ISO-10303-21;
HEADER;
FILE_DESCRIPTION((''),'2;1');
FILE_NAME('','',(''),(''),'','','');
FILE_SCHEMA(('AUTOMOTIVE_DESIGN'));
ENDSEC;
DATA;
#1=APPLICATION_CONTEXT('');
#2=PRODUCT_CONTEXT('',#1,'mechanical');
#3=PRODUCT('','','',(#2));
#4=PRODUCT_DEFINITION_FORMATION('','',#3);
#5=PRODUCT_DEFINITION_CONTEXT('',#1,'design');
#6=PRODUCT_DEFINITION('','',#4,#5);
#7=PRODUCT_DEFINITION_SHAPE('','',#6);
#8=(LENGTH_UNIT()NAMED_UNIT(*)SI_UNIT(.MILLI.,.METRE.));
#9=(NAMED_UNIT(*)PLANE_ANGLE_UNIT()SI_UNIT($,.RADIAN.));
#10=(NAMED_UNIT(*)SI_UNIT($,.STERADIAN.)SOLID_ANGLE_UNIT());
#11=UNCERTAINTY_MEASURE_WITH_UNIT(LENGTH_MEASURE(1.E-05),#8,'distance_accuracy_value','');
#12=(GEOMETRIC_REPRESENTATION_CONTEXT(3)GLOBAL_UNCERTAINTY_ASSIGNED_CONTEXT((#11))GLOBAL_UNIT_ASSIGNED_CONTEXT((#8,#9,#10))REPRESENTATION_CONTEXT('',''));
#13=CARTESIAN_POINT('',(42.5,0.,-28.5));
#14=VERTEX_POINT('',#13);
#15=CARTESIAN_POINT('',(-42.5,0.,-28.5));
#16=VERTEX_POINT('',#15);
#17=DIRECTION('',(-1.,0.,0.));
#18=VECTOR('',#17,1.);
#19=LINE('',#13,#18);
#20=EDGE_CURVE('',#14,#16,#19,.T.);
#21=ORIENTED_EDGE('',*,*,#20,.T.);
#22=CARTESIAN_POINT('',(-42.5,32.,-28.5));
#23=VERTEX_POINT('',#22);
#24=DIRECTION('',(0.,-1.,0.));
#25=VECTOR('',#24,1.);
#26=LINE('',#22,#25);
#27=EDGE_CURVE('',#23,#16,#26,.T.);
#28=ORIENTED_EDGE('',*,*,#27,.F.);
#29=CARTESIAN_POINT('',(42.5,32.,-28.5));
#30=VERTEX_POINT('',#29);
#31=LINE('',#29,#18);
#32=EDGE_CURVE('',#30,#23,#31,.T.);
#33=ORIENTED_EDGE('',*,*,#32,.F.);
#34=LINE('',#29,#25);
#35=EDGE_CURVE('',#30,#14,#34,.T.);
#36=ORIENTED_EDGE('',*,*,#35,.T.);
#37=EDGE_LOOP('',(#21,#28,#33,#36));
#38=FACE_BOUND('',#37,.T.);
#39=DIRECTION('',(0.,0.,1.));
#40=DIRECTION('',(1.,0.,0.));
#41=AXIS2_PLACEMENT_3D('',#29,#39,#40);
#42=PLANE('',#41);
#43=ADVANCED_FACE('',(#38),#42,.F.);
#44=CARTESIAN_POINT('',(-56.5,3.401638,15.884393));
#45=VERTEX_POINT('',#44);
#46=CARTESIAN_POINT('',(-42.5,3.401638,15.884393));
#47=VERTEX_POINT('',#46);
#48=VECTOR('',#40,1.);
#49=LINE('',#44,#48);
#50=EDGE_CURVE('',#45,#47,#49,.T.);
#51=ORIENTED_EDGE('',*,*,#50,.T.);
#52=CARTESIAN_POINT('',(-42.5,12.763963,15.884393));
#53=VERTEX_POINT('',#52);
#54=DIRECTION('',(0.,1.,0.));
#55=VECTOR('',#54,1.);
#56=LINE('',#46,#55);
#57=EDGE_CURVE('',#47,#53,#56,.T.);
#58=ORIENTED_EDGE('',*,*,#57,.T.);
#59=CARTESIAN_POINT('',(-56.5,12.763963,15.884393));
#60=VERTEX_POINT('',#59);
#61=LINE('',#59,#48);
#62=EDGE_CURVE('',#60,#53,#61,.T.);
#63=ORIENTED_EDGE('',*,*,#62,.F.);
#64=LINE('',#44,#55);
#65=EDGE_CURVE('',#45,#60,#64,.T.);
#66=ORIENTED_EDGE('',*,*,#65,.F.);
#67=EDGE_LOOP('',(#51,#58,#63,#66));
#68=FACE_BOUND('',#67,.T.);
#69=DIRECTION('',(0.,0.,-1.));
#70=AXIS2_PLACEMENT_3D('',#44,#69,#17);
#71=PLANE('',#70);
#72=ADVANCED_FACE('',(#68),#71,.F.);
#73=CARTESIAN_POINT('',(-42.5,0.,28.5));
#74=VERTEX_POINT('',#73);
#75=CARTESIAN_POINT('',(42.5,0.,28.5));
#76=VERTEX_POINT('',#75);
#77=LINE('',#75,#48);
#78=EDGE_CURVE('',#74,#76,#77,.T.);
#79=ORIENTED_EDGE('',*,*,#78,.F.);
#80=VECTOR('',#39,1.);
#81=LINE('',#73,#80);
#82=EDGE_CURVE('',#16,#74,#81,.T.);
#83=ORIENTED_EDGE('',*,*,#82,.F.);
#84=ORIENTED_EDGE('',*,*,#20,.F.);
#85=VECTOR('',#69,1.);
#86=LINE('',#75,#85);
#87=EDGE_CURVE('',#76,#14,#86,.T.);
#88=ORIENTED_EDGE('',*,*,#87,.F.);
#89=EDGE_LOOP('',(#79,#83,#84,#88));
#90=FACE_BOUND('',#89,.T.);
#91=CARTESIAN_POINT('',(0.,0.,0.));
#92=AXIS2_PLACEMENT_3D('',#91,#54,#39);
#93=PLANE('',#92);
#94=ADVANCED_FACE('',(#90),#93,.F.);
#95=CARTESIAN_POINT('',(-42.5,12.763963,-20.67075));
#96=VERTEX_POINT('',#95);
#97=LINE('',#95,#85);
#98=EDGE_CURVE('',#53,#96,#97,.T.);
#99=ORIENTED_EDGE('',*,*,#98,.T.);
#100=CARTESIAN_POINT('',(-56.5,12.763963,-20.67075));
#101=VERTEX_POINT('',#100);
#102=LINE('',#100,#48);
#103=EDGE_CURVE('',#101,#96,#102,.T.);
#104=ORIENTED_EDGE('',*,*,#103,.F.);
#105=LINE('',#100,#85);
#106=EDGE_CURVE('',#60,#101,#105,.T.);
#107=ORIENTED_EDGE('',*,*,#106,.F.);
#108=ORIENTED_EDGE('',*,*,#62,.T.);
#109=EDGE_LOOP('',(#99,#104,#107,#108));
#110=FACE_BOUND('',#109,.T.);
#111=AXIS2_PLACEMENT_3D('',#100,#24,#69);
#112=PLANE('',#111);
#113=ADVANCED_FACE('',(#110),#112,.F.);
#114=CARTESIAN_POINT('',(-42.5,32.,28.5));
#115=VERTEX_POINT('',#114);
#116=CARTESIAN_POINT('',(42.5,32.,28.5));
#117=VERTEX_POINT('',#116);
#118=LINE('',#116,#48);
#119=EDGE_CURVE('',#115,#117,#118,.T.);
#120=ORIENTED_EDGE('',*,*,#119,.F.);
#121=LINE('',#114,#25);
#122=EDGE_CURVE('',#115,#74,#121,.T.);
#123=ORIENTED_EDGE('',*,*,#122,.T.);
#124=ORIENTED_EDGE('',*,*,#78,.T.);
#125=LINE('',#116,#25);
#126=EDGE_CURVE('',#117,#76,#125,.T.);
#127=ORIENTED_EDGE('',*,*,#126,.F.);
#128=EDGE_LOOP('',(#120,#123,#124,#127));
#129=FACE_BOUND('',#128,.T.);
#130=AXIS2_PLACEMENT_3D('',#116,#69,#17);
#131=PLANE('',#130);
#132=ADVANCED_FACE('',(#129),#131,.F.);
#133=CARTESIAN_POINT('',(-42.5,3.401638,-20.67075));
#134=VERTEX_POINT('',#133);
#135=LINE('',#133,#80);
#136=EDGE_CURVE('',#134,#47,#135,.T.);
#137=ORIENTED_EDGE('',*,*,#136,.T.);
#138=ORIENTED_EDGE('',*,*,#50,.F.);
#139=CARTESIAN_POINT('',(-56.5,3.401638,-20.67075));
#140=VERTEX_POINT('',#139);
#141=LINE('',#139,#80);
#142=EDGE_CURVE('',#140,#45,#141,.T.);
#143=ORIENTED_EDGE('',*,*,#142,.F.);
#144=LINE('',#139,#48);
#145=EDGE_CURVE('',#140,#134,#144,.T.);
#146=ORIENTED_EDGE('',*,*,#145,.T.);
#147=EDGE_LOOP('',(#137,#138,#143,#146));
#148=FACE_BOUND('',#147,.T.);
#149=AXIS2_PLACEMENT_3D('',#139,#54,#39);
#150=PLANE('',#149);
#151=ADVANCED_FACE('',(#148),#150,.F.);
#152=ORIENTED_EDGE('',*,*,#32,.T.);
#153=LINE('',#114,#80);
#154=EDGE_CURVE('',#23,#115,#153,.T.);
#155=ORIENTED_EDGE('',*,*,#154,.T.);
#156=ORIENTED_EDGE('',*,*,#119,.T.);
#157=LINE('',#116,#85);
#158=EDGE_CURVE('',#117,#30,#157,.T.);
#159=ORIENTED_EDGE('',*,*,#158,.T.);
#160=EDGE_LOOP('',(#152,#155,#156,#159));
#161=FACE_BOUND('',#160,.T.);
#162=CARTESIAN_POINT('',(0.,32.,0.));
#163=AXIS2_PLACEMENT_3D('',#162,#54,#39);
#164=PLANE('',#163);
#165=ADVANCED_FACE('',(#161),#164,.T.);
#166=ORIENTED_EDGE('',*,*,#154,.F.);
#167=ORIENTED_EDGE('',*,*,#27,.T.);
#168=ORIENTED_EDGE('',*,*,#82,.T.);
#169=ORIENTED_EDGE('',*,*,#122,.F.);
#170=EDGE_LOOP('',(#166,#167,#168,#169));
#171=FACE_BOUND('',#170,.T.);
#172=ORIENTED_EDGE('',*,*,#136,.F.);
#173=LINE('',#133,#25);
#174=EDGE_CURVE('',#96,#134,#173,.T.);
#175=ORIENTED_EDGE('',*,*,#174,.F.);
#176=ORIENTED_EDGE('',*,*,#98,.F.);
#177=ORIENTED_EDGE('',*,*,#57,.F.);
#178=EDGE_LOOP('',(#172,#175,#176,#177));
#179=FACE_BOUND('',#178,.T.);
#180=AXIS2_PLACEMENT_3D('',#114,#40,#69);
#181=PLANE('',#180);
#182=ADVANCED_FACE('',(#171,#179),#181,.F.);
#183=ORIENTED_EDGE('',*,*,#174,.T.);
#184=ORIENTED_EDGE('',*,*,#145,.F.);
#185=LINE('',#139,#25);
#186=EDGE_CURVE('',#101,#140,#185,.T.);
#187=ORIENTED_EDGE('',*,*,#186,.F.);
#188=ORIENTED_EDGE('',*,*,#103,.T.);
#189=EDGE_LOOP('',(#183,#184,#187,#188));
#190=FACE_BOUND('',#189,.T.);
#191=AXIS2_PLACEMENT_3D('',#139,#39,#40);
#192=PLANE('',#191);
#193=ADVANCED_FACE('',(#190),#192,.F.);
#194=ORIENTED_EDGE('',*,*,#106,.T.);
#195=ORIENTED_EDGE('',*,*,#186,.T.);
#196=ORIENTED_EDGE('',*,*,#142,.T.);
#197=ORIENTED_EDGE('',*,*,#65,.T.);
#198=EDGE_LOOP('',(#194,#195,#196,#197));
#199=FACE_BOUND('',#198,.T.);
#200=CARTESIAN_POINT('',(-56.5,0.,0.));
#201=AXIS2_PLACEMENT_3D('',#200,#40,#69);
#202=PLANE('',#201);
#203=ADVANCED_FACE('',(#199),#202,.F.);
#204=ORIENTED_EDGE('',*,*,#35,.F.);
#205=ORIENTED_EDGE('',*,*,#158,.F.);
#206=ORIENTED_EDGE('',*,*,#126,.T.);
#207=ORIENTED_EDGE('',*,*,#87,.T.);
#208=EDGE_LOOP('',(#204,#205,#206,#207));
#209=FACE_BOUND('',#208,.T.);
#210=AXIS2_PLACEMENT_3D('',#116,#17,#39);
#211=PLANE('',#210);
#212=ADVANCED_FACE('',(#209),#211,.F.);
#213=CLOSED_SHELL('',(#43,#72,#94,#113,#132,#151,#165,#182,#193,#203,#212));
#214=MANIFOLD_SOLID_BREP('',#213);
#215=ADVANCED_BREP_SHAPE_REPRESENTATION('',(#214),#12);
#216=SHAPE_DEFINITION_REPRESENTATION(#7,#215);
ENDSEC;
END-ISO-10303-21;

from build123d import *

# Parameters (mm, degrees)
SKETCH_1_W      = 85
SKETCH_1_H      = 57
EXTRUDE_1_DEPTH = 32
SKETCH_6_W      = 36.55514342
SKETCH_6_H      = 9.362324501
EXTRUDE_2_DEPTH = 14


with BuildPart() as part:
    # Эскиз1 → Бобышка-Вытянуть1 (new body)
    with BuildSketch(Plane(origin=(0, 0, 0), x_dir=(1, 0, 0), z_dir=(0, 1, 0))):
        Rectangle(SKETCH_1_W, SKETCH_1_H)
    extrude(amount=EXTRUDE_1_DEPTH)

    # Эскиз6 → Бобышка-Вытянуть2 (add)
    with BuildSketch(Plane.ZY.offset(42.5)):
        with Locations((-2.393178454, 8.082800526)):
            Rectangle(SKETCH_6_W, SKETCH_6_H)
    extrude(amount=EXTRUDE_2_DEPTH)


solid = part.part
